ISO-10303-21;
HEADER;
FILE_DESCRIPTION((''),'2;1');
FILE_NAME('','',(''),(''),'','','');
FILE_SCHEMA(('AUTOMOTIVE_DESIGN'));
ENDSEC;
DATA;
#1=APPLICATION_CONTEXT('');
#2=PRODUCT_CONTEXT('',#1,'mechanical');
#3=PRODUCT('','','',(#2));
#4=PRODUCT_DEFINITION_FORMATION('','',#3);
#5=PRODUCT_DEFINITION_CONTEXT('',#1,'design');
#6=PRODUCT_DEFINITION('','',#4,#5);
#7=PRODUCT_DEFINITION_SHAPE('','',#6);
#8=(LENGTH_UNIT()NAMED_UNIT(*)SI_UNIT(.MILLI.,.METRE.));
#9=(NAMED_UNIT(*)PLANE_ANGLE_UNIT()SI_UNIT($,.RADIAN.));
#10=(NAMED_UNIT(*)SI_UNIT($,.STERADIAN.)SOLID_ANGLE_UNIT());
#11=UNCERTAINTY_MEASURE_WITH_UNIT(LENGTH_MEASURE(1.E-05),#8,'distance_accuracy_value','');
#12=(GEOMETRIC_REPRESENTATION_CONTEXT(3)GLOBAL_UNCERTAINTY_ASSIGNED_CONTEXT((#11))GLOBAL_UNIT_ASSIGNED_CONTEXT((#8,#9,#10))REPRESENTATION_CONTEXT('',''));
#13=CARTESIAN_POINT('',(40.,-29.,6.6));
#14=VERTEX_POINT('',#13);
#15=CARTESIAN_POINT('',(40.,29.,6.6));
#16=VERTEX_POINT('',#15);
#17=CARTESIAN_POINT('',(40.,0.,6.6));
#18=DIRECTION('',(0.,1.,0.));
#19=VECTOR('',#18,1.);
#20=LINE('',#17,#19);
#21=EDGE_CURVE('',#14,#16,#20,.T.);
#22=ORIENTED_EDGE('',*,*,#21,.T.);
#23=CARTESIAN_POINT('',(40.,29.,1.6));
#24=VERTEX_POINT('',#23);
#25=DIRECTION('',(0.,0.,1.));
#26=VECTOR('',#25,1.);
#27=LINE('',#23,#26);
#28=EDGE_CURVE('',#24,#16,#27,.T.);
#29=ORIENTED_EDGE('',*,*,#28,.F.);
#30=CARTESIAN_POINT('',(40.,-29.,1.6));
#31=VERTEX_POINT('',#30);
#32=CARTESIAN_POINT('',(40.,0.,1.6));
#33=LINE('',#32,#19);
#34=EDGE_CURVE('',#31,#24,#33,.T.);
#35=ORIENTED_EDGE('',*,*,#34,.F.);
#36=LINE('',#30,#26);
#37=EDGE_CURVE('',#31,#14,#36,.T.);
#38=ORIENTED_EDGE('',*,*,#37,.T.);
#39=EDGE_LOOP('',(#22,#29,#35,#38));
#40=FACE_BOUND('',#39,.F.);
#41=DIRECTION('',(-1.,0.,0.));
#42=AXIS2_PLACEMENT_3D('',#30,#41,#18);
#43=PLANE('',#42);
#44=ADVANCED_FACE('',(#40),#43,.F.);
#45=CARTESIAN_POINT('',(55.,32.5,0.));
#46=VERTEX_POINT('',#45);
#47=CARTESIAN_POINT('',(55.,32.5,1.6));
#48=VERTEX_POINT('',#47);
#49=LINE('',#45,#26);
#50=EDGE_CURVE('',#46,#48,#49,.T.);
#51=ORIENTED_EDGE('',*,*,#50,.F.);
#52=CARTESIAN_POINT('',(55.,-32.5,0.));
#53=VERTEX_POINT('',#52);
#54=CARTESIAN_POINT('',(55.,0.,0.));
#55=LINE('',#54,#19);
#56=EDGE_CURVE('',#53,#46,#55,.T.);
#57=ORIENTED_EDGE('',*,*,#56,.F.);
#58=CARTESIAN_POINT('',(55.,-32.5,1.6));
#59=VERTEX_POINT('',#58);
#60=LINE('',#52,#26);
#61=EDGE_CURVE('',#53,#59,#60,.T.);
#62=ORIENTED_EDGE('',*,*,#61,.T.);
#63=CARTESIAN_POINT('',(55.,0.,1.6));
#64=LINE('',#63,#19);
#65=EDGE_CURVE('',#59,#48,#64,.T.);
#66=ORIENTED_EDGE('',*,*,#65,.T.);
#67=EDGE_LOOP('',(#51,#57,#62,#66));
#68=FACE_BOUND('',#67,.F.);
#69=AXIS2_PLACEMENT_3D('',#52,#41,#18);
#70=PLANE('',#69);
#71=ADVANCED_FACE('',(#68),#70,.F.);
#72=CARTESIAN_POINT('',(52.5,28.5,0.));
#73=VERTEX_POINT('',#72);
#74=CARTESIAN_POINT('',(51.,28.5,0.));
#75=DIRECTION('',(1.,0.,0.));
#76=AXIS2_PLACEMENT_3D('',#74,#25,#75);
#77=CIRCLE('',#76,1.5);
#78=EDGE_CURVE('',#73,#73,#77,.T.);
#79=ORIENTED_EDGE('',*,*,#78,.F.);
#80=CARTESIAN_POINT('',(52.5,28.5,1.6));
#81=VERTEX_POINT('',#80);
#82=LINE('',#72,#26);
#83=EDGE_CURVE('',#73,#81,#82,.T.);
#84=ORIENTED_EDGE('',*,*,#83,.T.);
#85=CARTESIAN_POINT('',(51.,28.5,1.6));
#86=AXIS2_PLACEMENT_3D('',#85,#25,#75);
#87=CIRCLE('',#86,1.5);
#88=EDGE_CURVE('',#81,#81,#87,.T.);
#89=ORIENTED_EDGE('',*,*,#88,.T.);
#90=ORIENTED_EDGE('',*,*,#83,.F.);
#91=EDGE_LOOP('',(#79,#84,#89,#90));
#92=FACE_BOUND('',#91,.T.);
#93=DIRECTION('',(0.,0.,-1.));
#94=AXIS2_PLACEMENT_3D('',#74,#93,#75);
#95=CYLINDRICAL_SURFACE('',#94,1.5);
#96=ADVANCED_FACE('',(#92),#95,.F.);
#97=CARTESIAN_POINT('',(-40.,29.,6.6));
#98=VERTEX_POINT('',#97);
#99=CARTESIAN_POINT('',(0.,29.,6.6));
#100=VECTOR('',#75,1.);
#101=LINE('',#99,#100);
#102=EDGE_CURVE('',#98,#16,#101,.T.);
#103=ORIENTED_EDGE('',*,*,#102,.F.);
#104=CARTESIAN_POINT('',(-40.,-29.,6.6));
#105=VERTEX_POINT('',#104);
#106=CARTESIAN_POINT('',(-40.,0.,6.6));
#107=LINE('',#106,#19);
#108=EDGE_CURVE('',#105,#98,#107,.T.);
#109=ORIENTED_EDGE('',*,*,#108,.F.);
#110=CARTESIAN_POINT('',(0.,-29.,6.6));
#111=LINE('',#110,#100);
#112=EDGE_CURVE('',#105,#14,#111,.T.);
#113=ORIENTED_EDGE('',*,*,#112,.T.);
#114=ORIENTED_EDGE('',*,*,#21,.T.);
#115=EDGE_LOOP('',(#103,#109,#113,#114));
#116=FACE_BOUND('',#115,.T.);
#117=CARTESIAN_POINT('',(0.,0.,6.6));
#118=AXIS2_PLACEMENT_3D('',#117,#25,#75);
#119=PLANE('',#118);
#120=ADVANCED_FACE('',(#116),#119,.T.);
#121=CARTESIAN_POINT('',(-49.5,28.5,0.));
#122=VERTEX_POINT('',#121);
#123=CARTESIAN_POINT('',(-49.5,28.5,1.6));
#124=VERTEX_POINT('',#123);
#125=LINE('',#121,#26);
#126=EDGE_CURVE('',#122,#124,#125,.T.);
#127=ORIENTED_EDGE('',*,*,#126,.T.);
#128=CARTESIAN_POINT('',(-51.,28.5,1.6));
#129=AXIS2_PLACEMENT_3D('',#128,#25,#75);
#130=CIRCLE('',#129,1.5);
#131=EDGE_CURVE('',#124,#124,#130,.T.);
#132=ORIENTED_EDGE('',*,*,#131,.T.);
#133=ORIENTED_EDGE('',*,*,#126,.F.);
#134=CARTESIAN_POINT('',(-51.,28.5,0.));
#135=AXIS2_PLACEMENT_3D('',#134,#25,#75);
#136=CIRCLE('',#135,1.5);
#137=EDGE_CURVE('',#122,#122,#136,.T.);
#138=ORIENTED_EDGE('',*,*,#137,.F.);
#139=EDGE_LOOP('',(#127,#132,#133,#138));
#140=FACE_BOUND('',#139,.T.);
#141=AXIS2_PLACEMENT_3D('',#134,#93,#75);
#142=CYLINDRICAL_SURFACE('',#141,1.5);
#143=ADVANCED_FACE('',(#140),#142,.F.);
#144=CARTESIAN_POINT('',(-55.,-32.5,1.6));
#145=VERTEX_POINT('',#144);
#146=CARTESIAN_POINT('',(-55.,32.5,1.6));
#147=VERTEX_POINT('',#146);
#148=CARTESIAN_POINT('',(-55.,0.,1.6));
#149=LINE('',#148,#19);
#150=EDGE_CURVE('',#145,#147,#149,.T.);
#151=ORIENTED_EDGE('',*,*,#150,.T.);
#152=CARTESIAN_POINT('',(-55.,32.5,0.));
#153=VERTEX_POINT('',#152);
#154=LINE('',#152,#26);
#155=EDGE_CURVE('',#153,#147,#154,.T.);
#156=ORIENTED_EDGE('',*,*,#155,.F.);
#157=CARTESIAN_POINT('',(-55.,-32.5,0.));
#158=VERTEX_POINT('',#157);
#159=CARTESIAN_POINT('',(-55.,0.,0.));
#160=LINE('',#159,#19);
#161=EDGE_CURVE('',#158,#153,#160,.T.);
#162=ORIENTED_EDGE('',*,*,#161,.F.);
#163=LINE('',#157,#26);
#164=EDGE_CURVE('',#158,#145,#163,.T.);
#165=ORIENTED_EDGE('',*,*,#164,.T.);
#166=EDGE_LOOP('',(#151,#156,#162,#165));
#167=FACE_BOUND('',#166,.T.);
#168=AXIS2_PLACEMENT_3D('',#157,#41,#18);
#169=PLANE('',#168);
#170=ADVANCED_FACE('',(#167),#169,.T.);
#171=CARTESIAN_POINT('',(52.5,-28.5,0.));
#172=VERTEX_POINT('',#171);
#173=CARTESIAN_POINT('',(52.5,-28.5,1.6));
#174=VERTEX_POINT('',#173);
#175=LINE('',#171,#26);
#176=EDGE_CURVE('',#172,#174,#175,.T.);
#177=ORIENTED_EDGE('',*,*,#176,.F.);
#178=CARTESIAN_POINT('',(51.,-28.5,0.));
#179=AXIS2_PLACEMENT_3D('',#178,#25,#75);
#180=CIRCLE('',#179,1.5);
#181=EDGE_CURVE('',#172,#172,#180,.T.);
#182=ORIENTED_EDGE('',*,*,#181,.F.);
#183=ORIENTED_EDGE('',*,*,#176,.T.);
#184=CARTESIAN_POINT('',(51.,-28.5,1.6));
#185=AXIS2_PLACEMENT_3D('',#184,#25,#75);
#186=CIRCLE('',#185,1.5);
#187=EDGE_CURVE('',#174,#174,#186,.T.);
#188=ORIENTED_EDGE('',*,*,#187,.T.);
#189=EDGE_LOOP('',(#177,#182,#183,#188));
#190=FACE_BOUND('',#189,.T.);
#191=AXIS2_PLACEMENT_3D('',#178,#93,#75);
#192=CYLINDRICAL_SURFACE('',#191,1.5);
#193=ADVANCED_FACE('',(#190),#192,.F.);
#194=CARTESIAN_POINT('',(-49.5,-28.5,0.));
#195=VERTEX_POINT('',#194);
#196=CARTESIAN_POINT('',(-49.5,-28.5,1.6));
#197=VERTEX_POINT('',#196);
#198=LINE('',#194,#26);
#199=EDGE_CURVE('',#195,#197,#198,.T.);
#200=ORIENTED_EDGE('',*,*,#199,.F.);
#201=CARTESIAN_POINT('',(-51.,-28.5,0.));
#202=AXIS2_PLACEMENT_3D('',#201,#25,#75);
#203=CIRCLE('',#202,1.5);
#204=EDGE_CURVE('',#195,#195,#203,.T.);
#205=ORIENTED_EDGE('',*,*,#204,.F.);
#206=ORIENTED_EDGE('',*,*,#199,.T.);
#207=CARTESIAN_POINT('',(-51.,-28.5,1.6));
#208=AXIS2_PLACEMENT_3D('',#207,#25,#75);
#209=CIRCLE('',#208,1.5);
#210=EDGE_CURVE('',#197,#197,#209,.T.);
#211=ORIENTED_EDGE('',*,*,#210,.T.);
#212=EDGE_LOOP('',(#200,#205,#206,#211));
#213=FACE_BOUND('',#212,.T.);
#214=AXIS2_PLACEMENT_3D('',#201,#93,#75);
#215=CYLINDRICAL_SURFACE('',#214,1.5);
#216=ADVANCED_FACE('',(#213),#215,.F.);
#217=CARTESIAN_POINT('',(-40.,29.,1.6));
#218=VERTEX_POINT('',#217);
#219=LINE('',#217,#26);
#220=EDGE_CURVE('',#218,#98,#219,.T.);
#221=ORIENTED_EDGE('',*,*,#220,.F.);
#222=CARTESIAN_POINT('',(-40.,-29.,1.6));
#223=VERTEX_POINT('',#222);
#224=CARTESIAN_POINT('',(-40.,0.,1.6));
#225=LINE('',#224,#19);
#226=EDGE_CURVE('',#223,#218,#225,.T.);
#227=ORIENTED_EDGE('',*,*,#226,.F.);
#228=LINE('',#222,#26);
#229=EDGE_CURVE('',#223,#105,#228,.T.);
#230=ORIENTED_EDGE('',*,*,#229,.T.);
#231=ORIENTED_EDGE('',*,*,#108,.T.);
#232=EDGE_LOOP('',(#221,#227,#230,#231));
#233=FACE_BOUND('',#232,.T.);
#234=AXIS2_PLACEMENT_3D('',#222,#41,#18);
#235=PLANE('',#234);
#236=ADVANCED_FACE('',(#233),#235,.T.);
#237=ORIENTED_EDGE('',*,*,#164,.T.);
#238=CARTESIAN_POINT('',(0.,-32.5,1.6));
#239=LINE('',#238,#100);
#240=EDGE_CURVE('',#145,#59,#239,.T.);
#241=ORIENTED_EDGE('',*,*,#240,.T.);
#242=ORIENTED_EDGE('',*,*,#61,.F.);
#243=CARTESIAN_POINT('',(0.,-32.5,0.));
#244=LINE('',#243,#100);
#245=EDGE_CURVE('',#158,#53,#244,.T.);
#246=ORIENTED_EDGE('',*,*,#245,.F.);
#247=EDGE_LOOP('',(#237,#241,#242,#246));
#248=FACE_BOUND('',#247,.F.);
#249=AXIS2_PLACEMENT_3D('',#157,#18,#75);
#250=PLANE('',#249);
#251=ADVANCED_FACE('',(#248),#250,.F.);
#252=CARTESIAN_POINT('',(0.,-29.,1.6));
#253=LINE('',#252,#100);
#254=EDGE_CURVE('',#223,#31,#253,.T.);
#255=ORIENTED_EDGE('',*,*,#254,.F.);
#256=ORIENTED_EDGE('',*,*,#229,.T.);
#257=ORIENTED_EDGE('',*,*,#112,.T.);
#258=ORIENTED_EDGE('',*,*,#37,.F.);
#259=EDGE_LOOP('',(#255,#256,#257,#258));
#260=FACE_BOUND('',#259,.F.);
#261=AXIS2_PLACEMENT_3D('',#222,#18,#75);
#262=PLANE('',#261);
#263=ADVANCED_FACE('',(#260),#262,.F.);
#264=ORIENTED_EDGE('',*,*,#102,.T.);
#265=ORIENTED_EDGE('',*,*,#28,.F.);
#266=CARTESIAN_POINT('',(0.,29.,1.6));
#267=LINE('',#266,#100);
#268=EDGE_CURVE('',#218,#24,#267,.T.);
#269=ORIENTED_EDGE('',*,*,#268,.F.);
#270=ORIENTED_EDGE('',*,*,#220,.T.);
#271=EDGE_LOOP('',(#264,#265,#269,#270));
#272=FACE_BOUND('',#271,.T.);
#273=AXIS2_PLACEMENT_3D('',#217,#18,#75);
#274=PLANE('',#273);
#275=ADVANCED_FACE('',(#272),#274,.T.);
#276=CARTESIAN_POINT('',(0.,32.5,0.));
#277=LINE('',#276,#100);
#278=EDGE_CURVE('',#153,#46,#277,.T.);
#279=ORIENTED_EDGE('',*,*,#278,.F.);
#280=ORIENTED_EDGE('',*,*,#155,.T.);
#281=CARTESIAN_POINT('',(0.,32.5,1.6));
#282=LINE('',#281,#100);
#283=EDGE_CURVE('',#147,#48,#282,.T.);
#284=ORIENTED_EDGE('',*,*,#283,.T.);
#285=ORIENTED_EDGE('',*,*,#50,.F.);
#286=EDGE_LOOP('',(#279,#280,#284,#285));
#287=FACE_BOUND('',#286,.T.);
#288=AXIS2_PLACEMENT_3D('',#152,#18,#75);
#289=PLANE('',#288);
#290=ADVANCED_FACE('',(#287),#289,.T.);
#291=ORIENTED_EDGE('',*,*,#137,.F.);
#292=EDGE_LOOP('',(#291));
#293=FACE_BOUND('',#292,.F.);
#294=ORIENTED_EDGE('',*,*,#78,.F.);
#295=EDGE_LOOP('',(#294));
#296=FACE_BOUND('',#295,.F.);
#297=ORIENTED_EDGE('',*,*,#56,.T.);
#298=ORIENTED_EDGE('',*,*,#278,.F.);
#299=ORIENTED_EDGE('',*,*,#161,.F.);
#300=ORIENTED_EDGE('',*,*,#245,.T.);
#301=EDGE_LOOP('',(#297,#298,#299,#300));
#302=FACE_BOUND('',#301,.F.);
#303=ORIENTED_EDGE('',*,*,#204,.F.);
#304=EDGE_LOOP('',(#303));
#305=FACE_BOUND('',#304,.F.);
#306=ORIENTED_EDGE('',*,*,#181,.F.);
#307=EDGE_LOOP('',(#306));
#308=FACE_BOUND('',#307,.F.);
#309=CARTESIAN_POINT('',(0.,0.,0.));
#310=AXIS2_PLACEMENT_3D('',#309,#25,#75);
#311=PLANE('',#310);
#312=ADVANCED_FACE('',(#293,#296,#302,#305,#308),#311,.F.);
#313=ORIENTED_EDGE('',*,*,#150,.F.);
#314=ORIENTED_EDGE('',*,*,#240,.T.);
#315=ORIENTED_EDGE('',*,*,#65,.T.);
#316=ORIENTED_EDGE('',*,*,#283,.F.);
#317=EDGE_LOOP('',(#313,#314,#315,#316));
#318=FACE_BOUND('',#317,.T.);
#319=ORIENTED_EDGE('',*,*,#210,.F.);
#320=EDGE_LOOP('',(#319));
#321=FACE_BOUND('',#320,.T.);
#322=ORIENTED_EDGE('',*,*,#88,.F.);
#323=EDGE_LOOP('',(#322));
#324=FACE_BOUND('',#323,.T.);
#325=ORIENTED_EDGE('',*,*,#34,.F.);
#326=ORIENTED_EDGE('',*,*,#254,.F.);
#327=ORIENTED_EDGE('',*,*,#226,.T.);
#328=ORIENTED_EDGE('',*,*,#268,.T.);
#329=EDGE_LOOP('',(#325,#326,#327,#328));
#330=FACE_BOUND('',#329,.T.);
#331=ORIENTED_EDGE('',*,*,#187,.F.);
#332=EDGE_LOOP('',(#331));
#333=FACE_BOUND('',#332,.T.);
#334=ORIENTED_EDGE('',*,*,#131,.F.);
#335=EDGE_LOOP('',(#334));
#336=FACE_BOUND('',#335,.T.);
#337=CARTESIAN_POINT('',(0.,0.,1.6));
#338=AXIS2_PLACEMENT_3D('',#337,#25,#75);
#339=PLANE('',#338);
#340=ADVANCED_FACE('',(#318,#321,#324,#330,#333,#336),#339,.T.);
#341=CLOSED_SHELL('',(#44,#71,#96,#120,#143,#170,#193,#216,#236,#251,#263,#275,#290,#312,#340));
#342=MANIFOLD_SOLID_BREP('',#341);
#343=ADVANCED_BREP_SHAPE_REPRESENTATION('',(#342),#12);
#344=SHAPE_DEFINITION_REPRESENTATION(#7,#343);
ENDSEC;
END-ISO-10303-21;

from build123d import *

# Parameters (mm, degrees)
SKETCH_W     = 110
SKETCH_H     = 65
SKETCH_R     = 1.5
PAD_DEPTH    = 1.6
SKETCH001_W  = 80
SKETCH001_H  = 58
PAD001_DEPTH = 5


with BuildPart() as part:
    # Sketch → Pad (new body)
    with BuildSketch(Plane.XY):
        Rectangle(SKETCH_W, SKETCH_H)
        with Locations((-51, 28.5)):
            Circle(SKETCH_R, mode=Mode.SUBTRACT)
        with Locations((51, 28.5)):
            Circle(SKETCH_R, mode=Mode.SUBTRACT)
        with Locations((51, -28.5)):
            Circle(SKETCH_R, mode=Mode.SUBTRACT)
        with Locations((-51, -28.5)):
            Circle(SKETCH_R, mode=Mode.SUBTRACT)
    extrude(amount=PAD_DEPTH)

    # Sketch001 → Pad001 (new body)
    with BuildSketch(Plane.XY.offset(1.6)):
        Rectangle(SKETCH001_W, SKETCH001_H)
    extrude(amount=PAD001_DEPTH)


solid = part.part
